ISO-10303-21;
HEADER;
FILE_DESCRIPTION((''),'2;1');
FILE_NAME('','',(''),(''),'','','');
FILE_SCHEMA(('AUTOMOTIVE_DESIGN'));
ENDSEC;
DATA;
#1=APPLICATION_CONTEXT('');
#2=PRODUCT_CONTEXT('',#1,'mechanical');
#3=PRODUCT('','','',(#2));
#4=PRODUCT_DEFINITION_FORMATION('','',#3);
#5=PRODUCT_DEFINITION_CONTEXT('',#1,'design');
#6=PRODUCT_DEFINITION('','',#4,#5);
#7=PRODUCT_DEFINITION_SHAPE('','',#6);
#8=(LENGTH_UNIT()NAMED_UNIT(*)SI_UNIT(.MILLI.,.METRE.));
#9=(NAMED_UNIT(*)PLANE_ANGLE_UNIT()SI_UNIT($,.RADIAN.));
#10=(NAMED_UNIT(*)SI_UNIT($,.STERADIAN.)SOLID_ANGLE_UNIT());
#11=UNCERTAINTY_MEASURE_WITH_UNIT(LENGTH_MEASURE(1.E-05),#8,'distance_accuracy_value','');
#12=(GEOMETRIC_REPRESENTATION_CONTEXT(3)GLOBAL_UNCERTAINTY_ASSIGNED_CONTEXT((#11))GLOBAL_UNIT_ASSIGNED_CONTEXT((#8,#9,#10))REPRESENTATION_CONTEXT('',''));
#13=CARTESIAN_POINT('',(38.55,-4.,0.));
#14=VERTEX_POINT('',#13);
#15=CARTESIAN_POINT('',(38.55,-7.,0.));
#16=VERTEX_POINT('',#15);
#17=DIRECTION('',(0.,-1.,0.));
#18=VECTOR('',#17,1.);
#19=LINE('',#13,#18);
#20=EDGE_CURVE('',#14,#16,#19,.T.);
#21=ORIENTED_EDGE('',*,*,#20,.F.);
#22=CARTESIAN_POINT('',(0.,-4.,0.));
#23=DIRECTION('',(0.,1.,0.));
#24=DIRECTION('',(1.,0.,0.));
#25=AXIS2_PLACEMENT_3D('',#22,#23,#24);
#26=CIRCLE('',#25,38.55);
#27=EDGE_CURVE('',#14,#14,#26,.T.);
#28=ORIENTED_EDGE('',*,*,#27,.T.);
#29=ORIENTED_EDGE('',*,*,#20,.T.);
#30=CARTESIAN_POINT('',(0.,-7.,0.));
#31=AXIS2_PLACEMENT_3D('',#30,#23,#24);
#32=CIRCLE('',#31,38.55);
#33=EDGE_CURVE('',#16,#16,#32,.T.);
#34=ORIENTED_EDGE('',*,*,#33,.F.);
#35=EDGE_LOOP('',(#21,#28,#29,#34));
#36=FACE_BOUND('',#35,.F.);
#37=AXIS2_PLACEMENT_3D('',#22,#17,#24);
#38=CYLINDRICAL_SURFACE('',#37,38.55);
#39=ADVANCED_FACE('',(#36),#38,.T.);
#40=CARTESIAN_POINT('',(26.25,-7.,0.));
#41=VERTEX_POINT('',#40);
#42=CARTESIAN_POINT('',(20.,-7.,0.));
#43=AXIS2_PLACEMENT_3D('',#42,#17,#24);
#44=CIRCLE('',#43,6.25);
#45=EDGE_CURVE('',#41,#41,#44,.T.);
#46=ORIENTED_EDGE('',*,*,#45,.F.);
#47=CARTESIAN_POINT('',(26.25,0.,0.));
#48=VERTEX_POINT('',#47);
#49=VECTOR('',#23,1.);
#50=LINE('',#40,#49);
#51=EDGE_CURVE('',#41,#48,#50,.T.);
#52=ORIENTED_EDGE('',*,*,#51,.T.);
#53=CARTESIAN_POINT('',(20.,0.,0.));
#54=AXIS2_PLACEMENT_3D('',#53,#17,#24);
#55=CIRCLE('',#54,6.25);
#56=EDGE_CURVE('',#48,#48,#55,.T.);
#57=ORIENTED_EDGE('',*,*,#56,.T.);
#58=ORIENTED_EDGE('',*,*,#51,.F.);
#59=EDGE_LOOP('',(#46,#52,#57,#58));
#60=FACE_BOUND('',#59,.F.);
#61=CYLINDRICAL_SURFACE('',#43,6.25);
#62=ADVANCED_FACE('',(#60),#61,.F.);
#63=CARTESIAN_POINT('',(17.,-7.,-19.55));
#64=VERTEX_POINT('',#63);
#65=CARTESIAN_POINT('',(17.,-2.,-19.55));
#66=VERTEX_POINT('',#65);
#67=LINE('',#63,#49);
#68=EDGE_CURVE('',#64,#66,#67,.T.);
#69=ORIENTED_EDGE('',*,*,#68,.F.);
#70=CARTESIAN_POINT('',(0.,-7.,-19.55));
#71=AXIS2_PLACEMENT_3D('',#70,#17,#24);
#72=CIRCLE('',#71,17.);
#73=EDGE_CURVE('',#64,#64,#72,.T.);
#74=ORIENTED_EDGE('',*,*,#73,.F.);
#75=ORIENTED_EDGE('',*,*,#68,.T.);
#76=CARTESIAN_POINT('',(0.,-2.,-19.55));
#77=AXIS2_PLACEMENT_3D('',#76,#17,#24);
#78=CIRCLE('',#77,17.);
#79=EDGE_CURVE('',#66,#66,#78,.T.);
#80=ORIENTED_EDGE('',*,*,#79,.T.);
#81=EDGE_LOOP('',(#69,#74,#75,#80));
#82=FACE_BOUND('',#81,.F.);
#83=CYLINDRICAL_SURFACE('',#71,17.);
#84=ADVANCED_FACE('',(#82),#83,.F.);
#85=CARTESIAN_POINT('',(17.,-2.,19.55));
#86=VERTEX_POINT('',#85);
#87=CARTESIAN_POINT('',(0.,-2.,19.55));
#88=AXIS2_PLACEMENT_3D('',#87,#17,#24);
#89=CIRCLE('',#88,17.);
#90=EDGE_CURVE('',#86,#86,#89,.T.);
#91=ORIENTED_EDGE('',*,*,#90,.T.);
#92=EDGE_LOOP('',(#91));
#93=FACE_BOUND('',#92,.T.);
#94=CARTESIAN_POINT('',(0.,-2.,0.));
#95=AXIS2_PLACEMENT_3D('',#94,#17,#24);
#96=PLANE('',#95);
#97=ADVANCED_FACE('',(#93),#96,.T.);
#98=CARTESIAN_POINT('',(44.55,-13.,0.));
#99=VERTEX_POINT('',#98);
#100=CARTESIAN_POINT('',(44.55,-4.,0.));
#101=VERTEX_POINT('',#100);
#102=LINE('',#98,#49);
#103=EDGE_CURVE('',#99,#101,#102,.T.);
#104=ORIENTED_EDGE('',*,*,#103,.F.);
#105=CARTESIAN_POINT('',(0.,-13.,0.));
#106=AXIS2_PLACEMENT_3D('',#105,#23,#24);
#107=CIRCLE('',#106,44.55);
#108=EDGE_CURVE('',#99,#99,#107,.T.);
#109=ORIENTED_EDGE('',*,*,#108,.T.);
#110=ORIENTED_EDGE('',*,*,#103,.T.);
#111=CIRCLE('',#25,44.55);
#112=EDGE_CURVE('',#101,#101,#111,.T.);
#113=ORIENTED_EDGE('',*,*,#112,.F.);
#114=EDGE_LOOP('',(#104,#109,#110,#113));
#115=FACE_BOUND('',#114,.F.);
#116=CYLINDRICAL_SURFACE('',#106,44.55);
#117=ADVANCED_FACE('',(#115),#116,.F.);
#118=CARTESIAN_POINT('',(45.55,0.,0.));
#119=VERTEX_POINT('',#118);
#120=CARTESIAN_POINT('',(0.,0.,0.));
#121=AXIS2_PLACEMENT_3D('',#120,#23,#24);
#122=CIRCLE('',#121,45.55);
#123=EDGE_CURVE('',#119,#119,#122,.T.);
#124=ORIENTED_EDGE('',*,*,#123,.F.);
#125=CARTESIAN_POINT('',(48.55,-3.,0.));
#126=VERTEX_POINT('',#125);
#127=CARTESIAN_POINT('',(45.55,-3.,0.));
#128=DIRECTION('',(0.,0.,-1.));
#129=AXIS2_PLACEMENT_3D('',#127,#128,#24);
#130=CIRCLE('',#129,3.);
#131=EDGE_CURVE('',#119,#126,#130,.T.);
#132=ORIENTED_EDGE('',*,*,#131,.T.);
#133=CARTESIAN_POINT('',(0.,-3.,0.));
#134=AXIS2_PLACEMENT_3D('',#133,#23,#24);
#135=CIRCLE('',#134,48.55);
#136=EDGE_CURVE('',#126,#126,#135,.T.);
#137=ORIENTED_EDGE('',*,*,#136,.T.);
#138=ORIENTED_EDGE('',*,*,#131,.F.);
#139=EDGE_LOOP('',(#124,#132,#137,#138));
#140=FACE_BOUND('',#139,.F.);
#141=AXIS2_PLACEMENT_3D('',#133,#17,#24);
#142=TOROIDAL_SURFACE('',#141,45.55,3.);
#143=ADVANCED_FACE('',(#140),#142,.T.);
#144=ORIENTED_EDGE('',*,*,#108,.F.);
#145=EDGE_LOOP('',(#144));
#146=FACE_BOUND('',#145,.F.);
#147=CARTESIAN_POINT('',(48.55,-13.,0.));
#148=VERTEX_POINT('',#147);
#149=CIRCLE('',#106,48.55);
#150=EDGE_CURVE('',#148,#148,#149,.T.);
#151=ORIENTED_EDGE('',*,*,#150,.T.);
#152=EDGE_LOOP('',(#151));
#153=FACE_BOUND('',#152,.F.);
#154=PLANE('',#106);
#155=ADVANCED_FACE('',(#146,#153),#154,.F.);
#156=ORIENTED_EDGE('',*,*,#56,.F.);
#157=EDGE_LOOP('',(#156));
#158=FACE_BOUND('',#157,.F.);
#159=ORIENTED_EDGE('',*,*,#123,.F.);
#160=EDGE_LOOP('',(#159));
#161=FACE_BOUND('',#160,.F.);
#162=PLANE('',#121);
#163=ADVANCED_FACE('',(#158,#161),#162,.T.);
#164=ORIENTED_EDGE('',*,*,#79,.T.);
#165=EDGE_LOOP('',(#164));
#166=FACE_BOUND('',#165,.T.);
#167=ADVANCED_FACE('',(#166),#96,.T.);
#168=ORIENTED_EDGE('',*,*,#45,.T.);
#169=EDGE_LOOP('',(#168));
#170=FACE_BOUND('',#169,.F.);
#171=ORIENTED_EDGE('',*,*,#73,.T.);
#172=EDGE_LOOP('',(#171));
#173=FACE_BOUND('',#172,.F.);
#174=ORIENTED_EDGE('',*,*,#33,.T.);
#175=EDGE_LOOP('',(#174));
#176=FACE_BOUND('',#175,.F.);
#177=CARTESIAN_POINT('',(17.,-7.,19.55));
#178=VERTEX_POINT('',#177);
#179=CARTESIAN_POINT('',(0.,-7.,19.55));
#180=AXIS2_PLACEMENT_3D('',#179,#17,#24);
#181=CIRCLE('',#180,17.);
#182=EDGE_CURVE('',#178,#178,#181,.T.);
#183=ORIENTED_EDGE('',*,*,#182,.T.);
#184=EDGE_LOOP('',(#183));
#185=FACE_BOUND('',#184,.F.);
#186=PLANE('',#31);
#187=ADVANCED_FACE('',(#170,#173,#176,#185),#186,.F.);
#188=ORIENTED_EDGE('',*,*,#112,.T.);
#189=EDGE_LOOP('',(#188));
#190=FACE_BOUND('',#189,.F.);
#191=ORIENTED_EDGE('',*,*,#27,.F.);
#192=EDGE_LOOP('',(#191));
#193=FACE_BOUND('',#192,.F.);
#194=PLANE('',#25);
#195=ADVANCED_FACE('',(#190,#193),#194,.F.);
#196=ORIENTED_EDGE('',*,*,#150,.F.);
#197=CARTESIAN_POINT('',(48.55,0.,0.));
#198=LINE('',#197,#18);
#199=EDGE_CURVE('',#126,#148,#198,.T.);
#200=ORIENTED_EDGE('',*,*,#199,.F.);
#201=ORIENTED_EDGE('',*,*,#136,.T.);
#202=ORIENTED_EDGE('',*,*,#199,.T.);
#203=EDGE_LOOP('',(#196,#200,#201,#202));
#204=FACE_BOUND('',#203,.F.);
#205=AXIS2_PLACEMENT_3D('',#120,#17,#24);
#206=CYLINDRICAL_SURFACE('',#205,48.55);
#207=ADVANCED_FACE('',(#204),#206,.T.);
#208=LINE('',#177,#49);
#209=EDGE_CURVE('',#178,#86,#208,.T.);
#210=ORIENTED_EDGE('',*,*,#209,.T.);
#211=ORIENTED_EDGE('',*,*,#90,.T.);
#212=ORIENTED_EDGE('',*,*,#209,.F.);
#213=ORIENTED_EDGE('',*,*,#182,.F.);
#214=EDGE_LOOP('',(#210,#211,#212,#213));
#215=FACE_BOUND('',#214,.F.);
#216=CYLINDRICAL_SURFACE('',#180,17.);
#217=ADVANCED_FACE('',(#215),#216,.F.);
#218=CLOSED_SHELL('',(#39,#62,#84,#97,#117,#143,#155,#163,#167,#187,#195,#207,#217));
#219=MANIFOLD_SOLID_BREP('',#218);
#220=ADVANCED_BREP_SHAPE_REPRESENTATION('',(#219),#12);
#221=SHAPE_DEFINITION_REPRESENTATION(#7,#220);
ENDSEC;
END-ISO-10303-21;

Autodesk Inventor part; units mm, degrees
ref_plane "YZ Plane" through (0, 0, 0) normal (1, 0, 0) x (0, 1, 0)
ref_plane "XZ Plane" through (0, 0, 0) normal (0, 1, 0) x (-1, 0, 0)
ref_plane "XY Plane" through (0, 0, 0) normal (0, 0, 1) x (1, 0, 0)
sketch "Sketch2" plane through (0, 0, 0) normal (0, 0, 1) x (1, 0, 0)
  line L0 (0, 0) -> (48.55, 0)
  line L1 (48.55, 0) -> (48.55, -13)
  line L2 (48.55, -13) -> (44.55, -13)
  line L3 (44.55, -13) -> (44.55, -4)
  line L4 (44.55, -4) -> (38.55, -4)
  line L5 (38.55, -4) -> (38.55, -7)
  line L6 (38.55, -7) -> (0, -7)
  line L7 (0, -7) -> (0, 0)
  dimension "d0" = 48.55
  dimension "d1" = 4
  dimension "d2" = 6
  dimension "d3" = 13
  dimension "d4" = 4
  dimension "d5" = 7
revolve "Revolution1" add sketch "Sketch2" angle 360 about axis through (0, -7, 0) along (0, 1, 0)
fillet "Fillet1" radius 3 1 edges at (-48.55, 0, 0)
sketch "Sketch3" plane through (0, -7, 0) normal (0, -1, 0) x (1, 0, 0)
  circle A0 centre (0, -19.55) radius 17
  circle A1 centre (0, 0) radius 38.55 projected
  circle A2 centre (0, 19.55) radius 17
  dimension "d8" = 34
  dimension "d11" = 360
  dimension "d15" = 19.55
extrude "Extrusion1" cut sketch "Sketch3" against normal blind 5 contours A0 | A2
sketch "Sketch5" plane through (0, -7, 0) normal (0, -1, 0) x (1, 0, 0)
  circle A0 centre (20, 0) radius 6.25
  point P0 (0, 0)
  dimension "d16" = 12.5
  dimension "d17" = 20
extrude "Extrusion2" cut sketch "Sketch5" against normal through all
properties part number "lid-proto-v1"
